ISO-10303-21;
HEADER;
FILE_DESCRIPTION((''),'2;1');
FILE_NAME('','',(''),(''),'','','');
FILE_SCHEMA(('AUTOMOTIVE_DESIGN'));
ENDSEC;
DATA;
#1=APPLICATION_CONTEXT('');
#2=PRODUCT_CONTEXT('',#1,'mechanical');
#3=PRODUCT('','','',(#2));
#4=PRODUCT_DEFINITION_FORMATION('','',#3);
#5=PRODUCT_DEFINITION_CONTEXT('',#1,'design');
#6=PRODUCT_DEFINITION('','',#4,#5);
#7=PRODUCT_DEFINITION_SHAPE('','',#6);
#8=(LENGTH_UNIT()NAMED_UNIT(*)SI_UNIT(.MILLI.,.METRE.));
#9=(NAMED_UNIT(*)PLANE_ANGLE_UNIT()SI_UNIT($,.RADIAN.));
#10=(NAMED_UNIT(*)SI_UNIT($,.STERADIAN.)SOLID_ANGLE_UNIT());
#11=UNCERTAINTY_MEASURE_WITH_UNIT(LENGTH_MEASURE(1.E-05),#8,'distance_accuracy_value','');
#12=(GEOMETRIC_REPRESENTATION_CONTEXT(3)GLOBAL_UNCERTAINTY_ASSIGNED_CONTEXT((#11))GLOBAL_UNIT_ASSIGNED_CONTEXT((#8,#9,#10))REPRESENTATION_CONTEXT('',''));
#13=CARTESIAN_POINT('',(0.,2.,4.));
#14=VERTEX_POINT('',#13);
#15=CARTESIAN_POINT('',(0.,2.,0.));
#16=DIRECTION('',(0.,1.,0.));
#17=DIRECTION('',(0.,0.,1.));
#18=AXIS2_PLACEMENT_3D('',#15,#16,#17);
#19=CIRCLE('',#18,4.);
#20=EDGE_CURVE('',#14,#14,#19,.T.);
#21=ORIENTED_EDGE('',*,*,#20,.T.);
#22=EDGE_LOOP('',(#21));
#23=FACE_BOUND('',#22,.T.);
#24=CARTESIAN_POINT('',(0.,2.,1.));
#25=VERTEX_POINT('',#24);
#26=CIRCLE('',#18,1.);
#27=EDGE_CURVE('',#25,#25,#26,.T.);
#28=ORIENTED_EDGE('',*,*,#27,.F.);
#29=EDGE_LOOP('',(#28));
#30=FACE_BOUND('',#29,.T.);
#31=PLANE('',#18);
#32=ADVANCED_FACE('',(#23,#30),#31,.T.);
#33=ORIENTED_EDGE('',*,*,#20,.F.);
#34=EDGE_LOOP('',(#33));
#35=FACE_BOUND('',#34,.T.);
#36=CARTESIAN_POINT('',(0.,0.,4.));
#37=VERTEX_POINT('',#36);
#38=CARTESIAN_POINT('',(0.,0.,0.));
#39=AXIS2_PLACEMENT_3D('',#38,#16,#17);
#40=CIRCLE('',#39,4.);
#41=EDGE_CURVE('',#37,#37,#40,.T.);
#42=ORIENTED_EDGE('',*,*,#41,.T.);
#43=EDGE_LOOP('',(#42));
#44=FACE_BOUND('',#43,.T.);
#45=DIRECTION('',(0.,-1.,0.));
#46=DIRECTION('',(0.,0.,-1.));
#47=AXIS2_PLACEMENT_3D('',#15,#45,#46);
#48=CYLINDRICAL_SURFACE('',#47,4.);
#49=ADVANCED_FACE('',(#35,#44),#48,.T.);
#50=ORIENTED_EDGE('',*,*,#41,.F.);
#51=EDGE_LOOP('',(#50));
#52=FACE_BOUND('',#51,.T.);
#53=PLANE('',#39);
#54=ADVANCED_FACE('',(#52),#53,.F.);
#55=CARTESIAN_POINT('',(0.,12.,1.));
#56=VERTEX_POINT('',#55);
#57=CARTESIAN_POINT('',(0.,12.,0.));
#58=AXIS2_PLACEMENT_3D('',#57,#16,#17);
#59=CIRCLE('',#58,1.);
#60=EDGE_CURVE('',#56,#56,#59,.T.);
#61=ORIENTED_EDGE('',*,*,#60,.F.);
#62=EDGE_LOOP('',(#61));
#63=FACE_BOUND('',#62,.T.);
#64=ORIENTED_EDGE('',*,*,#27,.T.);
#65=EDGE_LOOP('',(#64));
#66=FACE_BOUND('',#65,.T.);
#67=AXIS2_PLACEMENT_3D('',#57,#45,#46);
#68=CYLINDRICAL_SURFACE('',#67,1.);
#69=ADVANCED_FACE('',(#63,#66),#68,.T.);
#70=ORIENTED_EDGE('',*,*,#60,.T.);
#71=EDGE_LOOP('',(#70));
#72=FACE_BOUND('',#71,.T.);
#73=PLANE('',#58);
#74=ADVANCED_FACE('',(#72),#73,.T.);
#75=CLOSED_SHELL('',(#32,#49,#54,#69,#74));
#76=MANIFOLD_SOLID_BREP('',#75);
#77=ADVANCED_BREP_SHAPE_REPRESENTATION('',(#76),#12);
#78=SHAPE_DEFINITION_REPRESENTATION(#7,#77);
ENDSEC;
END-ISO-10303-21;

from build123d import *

# Parameters (mm, degrees)
SKETCH_1_R      = 4
EXTRUDE_1_DEPTH = 2
SKETCH_2_R      = 1
EXTRUDE_2_DEPTH = 10


with BuildPart() as part:
    # 草图1 → 凸台-拉伸1 (new body)
    with BuildSketch(Plane(origin=(0, 0, 0), x_dir=(1, 0, 0), z_dir=(0, 1, 0))):
        with Locations(Location((0, 0, 0), (0, 0, 270))):
            Circle(SKETCH_1_R)
    extrude(amount=EXTRUDE_1_DEPTH)

    # 草图2 → 凸台-拉伸2 (add)
    with BuildSketch(Plane(origin=(0, 2, 0), x_dir=(1, 0, 0), z_dir=(0, 1, 0))):
        with Locations(Location((0, 0, 0), (0, 0, 270))):
            Circle(SKETCH_2_R)
    extrude(amount=EXTRUDE_2_DEPTH)


solid = part.part
